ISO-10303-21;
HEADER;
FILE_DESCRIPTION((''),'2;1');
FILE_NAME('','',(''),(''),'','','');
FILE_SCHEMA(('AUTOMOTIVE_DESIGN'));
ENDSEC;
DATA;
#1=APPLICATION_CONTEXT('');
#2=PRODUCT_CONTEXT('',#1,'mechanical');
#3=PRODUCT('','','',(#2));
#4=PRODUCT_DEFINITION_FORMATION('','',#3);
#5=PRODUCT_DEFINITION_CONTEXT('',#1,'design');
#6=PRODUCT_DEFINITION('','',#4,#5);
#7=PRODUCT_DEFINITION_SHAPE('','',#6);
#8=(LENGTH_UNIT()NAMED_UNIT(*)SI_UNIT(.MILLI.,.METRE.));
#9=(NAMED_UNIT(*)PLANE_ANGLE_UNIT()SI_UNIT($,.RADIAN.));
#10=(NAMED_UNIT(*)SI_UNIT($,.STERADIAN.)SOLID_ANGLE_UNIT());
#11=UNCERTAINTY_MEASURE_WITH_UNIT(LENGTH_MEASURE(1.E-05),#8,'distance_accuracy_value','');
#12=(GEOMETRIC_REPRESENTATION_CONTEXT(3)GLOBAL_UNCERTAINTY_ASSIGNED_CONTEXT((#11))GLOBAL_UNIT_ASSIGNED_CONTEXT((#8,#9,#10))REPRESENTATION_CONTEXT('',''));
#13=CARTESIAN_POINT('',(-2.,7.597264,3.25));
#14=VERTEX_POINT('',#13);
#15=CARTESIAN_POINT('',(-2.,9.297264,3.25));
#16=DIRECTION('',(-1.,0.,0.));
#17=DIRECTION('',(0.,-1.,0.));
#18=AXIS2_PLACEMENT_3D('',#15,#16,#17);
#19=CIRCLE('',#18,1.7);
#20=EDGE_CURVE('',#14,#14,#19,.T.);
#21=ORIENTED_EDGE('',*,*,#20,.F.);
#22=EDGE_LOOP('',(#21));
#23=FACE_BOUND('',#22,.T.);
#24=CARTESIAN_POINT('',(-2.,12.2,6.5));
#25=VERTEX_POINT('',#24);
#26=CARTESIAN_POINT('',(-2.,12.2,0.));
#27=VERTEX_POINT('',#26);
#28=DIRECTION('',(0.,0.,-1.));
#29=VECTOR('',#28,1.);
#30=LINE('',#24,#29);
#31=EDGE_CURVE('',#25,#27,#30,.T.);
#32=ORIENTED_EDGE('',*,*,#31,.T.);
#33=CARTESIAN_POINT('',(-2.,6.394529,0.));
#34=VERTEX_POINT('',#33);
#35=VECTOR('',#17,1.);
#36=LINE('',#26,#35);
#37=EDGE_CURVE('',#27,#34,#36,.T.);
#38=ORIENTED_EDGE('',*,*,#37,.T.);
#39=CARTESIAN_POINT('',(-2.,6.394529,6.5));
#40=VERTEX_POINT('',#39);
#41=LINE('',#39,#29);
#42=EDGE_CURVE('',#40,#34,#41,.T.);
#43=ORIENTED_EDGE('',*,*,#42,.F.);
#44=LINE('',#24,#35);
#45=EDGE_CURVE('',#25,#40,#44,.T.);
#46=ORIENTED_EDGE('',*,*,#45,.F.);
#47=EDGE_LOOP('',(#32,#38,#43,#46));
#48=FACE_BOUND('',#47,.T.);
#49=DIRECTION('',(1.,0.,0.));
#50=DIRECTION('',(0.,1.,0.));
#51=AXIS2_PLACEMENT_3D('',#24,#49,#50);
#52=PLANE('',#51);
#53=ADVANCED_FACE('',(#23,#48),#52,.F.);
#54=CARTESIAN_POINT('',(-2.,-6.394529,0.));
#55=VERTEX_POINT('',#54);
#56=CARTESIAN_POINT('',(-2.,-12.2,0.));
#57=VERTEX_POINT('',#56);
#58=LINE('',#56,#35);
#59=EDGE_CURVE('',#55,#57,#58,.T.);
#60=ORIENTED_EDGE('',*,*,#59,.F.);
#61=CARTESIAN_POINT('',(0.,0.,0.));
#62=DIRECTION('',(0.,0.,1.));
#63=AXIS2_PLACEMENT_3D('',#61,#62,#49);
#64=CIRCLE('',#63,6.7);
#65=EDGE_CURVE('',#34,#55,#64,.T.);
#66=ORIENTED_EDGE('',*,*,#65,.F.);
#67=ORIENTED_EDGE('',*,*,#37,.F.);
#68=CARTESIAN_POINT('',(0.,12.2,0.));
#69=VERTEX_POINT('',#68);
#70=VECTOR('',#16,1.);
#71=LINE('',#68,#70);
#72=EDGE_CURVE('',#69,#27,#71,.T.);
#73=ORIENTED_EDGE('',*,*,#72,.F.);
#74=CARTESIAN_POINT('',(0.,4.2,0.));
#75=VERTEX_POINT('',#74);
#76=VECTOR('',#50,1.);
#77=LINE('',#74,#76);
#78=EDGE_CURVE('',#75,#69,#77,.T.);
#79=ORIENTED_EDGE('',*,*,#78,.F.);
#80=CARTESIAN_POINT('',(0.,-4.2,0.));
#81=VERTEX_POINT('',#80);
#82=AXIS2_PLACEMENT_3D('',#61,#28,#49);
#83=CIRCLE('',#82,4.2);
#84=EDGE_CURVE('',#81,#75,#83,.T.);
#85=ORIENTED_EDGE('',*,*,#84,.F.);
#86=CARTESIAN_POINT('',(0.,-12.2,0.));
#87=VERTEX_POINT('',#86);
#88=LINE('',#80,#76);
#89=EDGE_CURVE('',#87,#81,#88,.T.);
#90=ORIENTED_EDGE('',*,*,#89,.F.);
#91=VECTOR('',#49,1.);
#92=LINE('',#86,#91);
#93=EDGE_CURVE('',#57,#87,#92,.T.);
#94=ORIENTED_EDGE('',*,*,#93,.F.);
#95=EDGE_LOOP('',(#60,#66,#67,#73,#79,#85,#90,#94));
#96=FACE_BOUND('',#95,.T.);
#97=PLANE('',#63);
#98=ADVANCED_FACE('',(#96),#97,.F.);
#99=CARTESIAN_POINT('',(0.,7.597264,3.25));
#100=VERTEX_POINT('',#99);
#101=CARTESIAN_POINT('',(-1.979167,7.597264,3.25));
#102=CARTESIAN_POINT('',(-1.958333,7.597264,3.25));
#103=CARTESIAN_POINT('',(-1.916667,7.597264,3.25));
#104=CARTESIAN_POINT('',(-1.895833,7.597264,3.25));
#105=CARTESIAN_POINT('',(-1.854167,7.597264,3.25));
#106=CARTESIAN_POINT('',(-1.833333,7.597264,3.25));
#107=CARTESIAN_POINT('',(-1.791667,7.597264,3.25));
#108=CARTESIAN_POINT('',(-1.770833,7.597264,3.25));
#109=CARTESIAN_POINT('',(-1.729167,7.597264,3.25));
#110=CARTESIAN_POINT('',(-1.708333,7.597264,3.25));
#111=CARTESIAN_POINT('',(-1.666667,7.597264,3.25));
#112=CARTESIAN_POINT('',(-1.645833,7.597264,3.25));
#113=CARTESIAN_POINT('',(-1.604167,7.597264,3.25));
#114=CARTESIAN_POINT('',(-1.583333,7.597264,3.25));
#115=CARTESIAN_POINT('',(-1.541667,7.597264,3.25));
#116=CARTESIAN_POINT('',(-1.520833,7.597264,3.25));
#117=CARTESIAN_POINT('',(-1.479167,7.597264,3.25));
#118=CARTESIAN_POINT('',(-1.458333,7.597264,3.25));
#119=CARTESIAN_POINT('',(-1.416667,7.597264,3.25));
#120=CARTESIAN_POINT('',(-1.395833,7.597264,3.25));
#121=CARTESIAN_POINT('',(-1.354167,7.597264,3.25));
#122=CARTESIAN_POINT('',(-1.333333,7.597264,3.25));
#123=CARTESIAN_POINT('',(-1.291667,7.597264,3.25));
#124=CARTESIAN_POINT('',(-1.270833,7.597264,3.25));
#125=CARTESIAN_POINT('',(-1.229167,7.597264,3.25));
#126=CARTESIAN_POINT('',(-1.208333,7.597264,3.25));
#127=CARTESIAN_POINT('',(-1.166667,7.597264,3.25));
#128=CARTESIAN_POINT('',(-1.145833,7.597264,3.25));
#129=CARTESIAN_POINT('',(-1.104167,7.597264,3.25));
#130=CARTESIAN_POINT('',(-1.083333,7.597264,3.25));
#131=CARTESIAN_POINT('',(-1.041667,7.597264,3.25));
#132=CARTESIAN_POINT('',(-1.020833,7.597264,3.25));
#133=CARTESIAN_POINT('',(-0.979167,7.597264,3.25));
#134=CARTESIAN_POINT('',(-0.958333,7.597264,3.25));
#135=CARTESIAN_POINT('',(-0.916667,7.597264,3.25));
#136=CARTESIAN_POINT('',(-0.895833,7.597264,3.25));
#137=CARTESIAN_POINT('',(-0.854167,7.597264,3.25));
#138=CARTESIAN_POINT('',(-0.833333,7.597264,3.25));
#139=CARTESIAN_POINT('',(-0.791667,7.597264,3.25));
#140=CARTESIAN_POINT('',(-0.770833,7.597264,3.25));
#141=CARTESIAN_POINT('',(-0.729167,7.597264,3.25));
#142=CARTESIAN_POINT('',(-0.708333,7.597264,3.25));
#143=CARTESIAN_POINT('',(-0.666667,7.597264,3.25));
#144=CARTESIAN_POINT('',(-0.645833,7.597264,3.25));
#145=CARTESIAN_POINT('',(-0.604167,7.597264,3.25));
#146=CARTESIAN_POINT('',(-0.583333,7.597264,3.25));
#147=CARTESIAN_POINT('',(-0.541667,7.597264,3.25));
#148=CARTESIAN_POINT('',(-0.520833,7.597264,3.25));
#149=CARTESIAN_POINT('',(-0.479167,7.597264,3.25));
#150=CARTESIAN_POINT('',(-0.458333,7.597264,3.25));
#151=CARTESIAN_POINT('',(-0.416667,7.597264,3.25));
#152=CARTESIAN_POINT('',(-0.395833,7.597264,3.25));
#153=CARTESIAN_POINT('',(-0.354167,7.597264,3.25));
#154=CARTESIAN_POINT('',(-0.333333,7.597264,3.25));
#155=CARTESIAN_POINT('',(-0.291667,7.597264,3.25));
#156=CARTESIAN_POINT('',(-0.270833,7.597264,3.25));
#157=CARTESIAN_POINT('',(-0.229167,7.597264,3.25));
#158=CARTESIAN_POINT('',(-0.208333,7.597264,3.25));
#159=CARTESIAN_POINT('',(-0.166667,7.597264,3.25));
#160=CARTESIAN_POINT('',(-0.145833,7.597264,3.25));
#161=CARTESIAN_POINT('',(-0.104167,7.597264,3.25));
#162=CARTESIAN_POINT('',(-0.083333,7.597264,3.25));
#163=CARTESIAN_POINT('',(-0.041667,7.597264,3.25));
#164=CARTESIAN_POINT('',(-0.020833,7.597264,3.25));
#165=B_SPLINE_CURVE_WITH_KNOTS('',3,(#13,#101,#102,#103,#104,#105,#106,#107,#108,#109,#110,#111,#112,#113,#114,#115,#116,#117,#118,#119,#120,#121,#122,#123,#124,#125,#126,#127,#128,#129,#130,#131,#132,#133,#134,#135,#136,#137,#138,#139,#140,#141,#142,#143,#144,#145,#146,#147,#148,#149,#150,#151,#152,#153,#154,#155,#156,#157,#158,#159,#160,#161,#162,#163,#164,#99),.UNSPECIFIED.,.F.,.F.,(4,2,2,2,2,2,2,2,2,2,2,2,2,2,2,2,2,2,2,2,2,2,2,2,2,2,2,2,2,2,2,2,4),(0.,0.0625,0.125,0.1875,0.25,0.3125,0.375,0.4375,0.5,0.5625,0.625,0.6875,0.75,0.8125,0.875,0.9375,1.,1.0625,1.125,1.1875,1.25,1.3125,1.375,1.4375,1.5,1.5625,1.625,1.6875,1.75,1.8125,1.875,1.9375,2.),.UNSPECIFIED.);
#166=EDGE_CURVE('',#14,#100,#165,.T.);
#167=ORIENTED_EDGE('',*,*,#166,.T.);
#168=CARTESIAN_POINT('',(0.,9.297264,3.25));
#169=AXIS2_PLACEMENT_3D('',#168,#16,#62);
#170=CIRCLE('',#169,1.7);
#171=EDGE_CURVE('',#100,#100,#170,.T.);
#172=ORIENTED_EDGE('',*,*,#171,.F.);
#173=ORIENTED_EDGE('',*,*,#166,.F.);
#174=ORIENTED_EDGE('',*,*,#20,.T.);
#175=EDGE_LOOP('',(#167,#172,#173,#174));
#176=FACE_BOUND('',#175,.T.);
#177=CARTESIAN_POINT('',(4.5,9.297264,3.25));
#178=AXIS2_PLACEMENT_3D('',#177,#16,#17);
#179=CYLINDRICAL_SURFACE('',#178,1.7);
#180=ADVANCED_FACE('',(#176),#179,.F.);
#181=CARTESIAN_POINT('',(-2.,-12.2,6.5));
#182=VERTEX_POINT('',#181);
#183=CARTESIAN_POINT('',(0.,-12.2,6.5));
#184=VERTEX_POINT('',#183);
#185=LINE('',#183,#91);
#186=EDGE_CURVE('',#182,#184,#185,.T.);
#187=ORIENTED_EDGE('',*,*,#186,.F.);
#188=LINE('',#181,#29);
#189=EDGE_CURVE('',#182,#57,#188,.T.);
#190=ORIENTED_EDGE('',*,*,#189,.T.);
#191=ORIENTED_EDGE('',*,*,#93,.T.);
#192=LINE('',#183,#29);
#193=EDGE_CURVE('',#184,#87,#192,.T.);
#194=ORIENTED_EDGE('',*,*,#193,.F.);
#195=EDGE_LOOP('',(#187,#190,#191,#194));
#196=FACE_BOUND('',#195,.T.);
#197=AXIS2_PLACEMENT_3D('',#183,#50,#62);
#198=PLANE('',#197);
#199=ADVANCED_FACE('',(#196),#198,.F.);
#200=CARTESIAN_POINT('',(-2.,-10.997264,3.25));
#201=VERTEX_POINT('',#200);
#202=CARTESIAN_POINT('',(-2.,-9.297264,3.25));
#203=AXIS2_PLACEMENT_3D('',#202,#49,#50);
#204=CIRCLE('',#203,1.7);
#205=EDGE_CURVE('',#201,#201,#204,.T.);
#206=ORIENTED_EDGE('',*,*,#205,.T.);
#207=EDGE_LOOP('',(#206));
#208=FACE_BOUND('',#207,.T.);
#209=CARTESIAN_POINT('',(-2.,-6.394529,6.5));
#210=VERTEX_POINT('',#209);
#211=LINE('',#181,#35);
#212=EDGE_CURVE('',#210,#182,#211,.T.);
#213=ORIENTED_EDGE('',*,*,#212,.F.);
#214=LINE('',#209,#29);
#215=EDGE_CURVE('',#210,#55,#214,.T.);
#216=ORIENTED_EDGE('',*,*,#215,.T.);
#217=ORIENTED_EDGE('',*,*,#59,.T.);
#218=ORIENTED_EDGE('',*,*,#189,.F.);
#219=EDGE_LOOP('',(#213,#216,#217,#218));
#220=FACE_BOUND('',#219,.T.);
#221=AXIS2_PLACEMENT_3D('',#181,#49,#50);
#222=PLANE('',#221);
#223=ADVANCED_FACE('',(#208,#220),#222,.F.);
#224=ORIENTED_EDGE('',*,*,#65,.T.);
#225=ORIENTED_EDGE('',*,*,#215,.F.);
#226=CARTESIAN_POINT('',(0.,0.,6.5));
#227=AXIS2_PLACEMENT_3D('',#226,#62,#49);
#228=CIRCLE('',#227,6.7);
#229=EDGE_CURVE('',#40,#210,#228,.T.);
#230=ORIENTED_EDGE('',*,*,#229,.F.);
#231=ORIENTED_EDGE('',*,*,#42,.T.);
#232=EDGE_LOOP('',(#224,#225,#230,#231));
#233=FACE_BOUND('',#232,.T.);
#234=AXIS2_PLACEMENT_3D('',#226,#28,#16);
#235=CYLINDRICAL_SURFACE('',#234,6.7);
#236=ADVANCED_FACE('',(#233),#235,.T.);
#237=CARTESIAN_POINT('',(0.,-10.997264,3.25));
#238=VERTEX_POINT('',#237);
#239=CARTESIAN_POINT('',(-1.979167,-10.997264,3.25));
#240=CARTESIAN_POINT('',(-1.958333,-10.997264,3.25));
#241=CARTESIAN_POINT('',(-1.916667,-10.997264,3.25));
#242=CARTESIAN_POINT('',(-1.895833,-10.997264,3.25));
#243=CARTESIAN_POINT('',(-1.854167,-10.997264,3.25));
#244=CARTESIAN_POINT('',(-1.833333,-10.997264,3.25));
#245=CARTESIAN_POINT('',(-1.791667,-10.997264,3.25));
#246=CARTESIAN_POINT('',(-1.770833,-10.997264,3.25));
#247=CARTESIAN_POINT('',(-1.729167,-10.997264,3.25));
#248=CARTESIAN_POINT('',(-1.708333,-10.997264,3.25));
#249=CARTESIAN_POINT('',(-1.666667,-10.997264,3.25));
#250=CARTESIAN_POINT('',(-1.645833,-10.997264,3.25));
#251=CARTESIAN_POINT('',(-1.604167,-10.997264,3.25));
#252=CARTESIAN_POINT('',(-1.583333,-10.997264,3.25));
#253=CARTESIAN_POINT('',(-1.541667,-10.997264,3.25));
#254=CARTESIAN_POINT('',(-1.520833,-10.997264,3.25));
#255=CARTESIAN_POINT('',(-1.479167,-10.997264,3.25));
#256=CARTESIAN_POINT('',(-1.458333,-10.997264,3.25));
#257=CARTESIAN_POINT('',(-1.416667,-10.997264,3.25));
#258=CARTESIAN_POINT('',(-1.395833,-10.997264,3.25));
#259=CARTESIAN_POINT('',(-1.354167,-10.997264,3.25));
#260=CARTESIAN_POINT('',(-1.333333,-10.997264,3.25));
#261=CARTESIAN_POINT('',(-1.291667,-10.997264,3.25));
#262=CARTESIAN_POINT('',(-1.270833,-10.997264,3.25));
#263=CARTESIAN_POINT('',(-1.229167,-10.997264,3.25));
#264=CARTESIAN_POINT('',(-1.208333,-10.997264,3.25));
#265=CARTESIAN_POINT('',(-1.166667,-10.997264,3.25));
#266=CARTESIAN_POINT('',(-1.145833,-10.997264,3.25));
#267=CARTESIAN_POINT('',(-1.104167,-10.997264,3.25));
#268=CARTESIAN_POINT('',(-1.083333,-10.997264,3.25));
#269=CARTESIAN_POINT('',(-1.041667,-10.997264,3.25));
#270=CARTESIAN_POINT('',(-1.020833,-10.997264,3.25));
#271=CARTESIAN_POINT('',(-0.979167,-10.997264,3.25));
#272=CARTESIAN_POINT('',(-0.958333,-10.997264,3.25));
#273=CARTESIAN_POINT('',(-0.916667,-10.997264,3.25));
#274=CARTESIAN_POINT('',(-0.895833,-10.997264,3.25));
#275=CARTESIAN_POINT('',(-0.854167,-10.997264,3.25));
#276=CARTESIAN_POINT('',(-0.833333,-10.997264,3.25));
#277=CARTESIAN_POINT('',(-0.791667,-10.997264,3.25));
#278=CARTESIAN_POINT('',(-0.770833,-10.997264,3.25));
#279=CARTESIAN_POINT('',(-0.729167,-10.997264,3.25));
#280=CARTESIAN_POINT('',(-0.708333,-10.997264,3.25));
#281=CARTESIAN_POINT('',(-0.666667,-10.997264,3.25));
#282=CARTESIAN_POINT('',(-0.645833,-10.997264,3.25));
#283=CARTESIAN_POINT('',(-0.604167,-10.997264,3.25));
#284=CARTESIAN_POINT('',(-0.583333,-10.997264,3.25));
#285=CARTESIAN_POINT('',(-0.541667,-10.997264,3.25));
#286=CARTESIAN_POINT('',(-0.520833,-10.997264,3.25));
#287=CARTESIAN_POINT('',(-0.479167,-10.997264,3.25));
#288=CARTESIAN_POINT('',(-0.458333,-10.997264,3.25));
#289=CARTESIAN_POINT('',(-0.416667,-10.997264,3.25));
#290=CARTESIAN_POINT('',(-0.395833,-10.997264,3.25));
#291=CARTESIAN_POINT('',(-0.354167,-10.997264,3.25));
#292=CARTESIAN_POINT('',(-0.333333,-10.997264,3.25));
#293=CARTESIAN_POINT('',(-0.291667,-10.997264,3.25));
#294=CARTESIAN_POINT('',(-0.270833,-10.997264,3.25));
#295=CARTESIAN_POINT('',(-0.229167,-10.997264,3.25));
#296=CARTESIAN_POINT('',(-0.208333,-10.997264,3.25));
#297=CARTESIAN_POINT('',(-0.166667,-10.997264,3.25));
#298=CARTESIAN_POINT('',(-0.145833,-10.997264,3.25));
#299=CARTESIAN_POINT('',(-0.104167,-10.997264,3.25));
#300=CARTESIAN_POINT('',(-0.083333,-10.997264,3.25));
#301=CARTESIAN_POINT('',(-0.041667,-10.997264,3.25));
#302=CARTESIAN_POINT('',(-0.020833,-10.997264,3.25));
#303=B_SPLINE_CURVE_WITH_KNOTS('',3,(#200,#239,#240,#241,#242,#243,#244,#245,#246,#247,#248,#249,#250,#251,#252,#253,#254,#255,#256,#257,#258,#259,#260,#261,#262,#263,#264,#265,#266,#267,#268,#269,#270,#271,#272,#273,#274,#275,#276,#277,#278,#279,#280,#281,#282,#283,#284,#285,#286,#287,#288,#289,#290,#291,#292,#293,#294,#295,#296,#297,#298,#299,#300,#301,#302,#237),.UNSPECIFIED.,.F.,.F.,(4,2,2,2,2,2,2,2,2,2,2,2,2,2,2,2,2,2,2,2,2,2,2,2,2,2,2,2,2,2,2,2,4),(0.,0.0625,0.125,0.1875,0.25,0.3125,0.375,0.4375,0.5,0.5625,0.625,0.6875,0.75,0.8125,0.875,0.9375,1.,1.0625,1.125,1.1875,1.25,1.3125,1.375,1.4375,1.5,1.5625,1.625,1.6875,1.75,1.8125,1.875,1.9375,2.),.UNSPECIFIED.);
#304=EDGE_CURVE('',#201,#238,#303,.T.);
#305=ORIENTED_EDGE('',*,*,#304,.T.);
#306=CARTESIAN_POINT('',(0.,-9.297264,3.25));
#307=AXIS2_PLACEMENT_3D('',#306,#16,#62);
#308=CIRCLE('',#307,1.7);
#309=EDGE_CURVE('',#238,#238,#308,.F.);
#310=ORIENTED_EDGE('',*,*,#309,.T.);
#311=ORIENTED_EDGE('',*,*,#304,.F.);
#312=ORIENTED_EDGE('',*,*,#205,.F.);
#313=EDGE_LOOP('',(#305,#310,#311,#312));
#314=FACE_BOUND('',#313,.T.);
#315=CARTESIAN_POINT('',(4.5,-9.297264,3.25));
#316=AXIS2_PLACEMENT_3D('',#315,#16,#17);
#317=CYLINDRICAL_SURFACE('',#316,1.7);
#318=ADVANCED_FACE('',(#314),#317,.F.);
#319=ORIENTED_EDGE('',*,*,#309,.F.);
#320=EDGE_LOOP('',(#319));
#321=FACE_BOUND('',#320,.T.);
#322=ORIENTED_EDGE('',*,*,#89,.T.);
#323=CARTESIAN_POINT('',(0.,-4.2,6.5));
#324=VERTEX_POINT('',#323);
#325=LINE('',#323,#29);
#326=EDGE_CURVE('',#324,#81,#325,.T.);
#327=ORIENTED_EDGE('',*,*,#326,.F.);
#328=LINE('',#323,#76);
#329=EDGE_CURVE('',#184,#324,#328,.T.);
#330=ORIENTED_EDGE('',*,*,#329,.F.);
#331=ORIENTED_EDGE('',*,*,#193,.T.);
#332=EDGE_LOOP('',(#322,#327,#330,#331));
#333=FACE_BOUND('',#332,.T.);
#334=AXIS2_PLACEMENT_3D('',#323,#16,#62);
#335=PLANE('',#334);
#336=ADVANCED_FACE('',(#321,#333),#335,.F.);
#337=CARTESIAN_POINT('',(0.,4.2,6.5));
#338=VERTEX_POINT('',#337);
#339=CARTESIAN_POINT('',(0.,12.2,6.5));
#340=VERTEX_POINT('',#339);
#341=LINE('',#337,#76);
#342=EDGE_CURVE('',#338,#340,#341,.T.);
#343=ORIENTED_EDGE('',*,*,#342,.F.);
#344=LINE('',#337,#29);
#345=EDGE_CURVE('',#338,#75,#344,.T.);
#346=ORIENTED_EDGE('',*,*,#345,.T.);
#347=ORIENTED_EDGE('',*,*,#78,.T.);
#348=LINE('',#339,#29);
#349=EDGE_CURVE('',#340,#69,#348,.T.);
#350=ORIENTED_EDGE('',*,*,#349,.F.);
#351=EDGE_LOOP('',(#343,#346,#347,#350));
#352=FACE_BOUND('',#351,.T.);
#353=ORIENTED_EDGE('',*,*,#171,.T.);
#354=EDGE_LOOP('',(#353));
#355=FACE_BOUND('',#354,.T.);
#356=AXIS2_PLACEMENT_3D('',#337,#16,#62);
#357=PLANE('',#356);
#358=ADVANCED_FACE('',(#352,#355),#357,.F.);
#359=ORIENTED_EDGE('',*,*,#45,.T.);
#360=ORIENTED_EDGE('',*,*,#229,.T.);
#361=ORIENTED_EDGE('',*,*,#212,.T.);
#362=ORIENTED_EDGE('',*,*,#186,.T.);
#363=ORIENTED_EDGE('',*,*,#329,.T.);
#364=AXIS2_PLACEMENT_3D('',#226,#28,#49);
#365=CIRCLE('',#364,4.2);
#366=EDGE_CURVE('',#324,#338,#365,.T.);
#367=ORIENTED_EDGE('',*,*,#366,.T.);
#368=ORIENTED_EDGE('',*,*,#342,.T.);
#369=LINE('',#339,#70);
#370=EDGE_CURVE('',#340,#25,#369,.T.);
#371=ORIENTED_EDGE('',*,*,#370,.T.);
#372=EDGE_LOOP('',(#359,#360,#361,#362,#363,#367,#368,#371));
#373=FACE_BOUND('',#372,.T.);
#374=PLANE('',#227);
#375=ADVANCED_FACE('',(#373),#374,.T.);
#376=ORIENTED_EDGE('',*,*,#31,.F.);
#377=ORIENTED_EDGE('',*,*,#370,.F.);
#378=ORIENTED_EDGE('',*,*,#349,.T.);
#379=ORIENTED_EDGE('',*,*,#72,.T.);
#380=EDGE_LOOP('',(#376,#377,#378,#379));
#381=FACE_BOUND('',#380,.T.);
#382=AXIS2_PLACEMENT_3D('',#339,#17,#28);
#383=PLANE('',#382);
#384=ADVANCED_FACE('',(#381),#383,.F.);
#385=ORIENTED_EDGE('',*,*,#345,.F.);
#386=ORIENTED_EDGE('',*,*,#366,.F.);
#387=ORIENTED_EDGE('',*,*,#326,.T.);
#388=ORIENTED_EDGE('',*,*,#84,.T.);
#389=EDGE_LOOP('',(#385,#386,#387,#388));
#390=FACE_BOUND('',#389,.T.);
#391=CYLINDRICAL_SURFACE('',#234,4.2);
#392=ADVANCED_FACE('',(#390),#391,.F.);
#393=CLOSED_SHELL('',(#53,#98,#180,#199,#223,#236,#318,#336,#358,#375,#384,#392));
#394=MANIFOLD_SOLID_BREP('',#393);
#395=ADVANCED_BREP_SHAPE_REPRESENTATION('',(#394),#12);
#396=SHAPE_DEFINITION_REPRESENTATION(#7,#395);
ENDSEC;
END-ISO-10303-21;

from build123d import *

# Parameters (mm, degrees)
ESTRUSIONE_ESTRUSIONE1_DEPTH = 6.5
SCHIZZO2_R                   = 1.7
TAGLIO_ESTRUSIONE1_DEPTH     = 6.5


with BuildPart() as part:
    # Schizzo1 → Estrusione-Estrusione1 (new body)
    with BuildSketch(Plane.XY):
        with BuildLine():
            Line((0, 4.2), (0, 12.2))
            Line((0, 12.2), (-2, 12.2))
            Line((-2, 12.2), (-2, 6.394528911))
            ThreePointArc((-2, 6.394528911), (-6.7, 0), (-2, -6.394528911))
            Line((-2, -6.394528911), (-2, -12.2))
            Line((-2, -12.2), (0, -12.2))
            Line((0, -12.2), (0, -4.2))
            ThreePointArc((0, -4.2), (-4.2, 0), (0, 4.2))
        make_face()
    extrude(amount=ESTRUSIONE_ESTRUSIONE1_DEPTH)

    # Schizzo2 → Taglio-Estrusione1 (cut)
    with BuildSketch(Plane.ZY.offset(2)):
        with Locations(Location((3.25, 9.297264456, 0), (0, 0, 270))):
            Circle(SCHIZZO2_R)
    taglio_estrusione1 = extrude(amount=-TAGLIO_ESTRUSIONE1_DEPTH, mode=Mode.SUBTRACT)

    # Specchia1: Taglio-Estrusione1 across plane
    add(taglio_estrusione1.mirror(Plane.ZX), mode=Mode.SUBTRACT)


solid = part.part
